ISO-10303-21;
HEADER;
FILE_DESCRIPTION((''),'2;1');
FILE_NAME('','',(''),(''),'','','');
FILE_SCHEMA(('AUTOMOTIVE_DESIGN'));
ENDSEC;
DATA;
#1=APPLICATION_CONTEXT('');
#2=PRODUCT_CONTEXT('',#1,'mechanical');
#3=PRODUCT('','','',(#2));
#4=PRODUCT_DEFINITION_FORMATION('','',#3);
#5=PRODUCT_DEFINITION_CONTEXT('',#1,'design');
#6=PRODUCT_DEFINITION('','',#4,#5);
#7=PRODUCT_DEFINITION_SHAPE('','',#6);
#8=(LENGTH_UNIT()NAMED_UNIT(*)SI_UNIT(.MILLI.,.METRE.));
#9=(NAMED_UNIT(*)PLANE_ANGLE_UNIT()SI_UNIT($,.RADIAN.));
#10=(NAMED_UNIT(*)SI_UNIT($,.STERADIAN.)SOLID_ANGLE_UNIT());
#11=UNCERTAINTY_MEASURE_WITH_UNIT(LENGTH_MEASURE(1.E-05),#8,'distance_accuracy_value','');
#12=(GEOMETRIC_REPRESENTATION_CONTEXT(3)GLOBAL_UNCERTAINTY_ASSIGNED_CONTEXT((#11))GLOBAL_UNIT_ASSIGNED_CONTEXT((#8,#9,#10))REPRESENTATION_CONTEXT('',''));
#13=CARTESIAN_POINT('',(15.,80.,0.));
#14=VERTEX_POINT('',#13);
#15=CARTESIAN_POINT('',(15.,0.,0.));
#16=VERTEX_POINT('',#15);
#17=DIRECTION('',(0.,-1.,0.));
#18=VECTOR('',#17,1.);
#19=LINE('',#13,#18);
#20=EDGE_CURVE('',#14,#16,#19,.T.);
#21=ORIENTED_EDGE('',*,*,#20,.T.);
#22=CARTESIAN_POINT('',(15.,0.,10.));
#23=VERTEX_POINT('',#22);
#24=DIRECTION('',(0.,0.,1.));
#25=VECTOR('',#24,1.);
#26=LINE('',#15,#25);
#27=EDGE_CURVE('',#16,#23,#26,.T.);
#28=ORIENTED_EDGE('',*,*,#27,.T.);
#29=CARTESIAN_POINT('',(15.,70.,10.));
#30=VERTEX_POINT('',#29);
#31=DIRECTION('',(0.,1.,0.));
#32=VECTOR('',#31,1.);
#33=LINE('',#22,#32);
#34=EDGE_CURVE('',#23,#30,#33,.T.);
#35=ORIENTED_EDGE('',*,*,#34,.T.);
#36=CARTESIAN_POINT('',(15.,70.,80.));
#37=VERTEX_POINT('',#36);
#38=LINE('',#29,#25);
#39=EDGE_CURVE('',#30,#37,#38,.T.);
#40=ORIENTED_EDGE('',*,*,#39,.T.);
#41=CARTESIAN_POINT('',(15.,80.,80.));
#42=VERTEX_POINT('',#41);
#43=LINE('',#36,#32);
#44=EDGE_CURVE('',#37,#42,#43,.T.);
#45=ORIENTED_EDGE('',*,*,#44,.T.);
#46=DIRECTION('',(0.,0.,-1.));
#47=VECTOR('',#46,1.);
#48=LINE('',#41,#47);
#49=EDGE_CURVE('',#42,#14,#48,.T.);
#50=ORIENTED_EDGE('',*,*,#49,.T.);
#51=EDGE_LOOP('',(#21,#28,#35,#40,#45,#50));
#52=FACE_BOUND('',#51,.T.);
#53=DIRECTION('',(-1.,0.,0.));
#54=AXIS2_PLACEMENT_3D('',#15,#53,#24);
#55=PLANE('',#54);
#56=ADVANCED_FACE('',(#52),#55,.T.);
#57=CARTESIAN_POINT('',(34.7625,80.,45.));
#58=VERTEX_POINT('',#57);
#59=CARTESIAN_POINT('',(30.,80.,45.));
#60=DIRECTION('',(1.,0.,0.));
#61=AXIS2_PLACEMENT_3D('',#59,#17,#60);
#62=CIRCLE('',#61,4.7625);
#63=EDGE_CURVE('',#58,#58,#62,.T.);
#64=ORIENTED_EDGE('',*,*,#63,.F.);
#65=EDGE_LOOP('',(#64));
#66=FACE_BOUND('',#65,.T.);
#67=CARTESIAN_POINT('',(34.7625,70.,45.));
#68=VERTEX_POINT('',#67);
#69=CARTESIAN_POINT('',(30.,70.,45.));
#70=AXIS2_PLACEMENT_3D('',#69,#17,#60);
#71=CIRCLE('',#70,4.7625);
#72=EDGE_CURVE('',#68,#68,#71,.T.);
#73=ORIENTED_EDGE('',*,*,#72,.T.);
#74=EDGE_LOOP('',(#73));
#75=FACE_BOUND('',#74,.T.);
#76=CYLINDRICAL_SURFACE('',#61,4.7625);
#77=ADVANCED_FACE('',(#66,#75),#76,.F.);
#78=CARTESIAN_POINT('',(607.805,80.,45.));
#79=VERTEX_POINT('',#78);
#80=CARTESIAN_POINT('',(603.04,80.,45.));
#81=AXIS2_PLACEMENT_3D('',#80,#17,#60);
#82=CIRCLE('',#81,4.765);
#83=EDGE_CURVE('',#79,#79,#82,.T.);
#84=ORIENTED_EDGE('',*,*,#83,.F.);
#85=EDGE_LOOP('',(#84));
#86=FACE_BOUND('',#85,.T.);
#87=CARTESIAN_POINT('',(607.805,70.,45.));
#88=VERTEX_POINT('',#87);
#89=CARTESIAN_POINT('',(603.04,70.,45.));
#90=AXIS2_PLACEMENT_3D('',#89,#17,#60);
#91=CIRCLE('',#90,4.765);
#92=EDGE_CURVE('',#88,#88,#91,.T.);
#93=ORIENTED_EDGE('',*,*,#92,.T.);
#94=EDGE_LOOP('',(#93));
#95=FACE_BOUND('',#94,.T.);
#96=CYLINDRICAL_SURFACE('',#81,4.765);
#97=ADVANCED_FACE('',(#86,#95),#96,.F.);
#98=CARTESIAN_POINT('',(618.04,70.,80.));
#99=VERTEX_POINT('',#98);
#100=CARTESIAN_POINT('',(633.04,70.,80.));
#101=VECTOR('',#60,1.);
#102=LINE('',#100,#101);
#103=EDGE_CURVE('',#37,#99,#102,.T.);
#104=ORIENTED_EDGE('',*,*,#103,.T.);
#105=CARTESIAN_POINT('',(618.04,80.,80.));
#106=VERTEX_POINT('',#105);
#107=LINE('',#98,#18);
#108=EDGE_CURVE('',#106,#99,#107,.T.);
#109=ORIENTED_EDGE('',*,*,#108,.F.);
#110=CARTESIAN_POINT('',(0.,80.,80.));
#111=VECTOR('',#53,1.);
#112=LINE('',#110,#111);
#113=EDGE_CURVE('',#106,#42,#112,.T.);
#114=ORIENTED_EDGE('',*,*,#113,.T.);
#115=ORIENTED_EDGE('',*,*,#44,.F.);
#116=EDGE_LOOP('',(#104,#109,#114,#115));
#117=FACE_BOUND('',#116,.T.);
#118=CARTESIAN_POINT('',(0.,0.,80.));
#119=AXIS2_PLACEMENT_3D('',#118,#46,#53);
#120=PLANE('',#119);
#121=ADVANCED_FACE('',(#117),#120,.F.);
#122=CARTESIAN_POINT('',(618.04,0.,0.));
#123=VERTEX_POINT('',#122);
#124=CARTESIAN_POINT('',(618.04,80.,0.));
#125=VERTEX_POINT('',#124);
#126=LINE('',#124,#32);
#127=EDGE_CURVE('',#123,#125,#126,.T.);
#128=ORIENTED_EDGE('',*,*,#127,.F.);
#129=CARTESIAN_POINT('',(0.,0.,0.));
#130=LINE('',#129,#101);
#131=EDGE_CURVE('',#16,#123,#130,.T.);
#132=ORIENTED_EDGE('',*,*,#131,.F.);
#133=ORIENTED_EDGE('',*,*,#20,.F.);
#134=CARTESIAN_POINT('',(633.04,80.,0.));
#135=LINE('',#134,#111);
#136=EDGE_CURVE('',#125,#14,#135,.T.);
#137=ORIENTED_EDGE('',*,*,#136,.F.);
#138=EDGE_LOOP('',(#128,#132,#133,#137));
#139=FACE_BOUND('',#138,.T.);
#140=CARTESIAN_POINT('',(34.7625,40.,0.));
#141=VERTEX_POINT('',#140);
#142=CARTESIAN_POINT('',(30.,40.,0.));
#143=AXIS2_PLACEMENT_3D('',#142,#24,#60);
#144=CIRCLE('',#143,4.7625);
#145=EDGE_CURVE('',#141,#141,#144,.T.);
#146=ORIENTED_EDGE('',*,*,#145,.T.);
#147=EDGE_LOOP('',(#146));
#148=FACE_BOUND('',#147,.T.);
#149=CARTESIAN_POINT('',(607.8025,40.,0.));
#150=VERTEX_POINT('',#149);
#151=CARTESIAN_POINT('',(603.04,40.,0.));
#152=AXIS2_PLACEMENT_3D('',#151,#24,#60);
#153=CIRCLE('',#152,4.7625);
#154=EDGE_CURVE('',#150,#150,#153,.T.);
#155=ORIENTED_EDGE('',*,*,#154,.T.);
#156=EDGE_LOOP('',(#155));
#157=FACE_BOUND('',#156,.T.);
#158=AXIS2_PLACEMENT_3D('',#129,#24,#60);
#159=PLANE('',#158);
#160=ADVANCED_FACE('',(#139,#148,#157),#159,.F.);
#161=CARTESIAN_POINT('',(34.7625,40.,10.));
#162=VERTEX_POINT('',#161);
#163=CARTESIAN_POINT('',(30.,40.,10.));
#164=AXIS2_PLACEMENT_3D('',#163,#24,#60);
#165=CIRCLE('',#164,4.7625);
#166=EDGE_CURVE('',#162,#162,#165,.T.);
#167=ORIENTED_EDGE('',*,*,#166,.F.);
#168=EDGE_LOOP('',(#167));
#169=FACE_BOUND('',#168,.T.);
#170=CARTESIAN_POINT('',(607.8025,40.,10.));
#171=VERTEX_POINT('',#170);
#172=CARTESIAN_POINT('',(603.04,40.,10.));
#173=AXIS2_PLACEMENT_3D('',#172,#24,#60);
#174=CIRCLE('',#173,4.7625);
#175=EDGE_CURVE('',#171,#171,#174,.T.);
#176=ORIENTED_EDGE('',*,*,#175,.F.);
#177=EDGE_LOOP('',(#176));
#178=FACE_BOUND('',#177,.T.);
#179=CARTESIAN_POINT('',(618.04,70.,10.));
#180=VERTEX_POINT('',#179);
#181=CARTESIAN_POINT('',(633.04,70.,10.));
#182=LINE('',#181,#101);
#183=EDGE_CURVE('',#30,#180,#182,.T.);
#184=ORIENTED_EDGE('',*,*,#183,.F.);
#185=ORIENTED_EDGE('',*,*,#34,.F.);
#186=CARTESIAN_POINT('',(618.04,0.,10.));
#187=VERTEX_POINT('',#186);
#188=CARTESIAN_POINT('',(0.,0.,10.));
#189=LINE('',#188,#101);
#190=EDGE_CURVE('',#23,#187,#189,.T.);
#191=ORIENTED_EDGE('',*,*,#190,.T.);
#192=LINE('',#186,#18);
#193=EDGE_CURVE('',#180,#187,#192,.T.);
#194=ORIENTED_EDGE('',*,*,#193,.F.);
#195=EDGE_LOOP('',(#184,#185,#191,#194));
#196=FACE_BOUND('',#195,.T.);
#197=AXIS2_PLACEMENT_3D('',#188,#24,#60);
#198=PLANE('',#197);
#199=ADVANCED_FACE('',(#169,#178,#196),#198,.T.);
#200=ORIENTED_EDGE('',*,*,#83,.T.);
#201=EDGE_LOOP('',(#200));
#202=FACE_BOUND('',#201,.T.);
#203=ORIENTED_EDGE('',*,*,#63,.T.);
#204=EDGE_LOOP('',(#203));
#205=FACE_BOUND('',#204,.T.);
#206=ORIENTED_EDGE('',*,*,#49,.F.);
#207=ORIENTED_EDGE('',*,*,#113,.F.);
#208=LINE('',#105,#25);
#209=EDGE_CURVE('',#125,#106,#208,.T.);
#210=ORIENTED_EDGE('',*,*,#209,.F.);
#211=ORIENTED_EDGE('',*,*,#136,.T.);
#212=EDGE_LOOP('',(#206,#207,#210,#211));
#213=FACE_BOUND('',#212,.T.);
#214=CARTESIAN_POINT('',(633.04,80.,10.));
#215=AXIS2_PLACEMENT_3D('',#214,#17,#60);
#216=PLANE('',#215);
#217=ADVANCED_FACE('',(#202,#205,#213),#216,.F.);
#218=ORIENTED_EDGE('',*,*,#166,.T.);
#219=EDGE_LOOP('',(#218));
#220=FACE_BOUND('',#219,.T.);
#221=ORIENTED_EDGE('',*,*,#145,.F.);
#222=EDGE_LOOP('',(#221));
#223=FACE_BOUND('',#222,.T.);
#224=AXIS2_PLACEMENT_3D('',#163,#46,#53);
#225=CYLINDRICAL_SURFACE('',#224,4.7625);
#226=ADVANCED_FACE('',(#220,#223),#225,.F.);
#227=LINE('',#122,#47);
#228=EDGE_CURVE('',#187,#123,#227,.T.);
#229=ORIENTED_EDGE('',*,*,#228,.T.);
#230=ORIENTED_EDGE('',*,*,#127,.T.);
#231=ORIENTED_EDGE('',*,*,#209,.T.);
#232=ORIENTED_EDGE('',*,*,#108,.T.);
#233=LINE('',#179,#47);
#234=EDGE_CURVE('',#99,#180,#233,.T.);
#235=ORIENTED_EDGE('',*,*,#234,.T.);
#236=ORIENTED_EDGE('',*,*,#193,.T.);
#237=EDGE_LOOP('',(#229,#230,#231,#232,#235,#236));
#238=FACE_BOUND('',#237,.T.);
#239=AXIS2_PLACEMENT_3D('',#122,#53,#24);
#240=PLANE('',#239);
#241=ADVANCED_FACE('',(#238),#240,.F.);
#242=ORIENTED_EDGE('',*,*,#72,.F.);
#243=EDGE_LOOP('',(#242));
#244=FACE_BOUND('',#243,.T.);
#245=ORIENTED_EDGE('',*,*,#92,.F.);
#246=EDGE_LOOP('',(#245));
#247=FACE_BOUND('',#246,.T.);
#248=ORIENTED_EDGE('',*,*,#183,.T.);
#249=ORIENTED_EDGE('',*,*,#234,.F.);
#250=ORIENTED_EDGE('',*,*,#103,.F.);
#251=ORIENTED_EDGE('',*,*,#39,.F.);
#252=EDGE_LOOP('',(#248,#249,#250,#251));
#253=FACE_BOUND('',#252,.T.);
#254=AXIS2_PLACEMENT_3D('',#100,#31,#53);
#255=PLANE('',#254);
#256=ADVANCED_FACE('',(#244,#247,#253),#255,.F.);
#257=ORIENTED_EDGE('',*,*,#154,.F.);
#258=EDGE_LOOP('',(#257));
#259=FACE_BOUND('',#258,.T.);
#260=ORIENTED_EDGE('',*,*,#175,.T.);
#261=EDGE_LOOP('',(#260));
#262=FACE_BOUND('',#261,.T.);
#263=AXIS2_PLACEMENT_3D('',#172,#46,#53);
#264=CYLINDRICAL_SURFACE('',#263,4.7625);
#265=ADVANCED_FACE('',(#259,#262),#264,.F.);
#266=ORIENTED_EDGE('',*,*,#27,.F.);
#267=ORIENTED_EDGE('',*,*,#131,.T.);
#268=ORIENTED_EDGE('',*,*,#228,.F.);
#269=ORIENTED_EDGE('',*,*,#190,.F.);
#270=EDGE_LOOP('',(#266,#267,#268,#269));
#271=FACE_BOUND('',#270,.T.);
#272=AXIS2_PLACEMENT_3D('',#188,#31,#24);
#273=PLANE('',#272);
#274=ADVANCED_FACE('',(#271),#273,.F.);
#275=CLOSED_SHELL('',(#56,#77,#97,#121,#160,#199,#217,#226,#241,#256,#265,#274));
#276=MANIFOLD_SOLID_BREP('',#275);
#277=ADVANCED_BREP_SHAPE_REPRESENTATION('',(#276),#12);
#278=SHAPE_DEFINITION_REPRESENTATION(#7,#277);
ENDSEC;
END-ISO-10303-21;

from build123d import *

# Parameters (mm, degrees)
CROQUIS1_W              = 633.04
CROQUIS1_H              = 80
CROQUIS1_R              = 4.7625
SALIENTE_EXTRUIR1_DEPTH = 10
CROQUIS2_W              = 633.04
CROQUIS2_H              = 10
SALIENTE_EXTRUIR2_DEPTH = 70
CROQUIS3_R              = 4.7625
CROQUIS3_R_2            = 4.765
CORTAR_EXTRUIR1_DEPTH   = 642.903140357
CORTAR_EXTRUIR2_DEPTH   = 15
CORTAR_EXTRUIR3_DEPTH   = 15


with BuildPart() as part:
    # Croquis1 → Saliente-Extruir1 (new body)
    with BuildSketch(Plane.XY):
        with Locations((316.52, 40)):
            Rectangle(CROQUIS1_W, CROQUIS1_H)
        with Locations((30, 40)):
            Circle(CROQUIS1_R, mode=Mode.SUBTRACT)
        with Locations((603.04, 40)):
            Circle(CROQUIS1_R, mode=Mode.SUBTRACT)
    extrude(amount=SALIENTE_EXTRUIR1_DEPTH)

    # Croquis2 → Saliente-Extruir2 (add)
    with BuildSketch(Plane.XY.offset(10)):
        with Locations((316.52, 75)):
            Rectangle(CROQUIS2_W, CROQUIS2_H)
    extrude(amount=SALIENTE_EXTRUIR2_DEPTH)

    # Croquis3 → Cortar-Extruir1 (cut, through all)
    with BuildSketch(Plane.XZ.offset(-70)):
        with Locations((30, 45)):
            Circle(CROQUIS3_R)
        with Locations((603.04, 45)):
            Circle(CROQUIS3_R_2)
    extrude(amount=-CORTAR_EXTRUIR1_DEPTH, mode=Mode.SUBTRACT)

    # Croquis4 → Cortar-Extruir2 (cut)
    with BuildSketch(Plane(origin=(633.04, 0, 0), x_dir=(0, 0, -1), z_dir=(1, 0, 0))):
        Polygon((-80, 70), (-80, 80), (0, 80), (0, 0), (-10, 0), (-10, 70), align=None)
    extrude(amount=-CORTAR_EXTRUIR2_DEPTH, mode=Mode.SUBTRACT)

    # Croquis5 → Cortar-Extruir3 (cut)
    with BuildSketch(Plane.ZY):
        Polygon((80, 70), (80, 80), (0, 80), (0, 0), (10, 0), (10, 70), align=None)
    extrude(amount=-CORTAR_EXTRUIR3_DEPTH, mode=Mode.SUBTRACT)


solid = part.part
